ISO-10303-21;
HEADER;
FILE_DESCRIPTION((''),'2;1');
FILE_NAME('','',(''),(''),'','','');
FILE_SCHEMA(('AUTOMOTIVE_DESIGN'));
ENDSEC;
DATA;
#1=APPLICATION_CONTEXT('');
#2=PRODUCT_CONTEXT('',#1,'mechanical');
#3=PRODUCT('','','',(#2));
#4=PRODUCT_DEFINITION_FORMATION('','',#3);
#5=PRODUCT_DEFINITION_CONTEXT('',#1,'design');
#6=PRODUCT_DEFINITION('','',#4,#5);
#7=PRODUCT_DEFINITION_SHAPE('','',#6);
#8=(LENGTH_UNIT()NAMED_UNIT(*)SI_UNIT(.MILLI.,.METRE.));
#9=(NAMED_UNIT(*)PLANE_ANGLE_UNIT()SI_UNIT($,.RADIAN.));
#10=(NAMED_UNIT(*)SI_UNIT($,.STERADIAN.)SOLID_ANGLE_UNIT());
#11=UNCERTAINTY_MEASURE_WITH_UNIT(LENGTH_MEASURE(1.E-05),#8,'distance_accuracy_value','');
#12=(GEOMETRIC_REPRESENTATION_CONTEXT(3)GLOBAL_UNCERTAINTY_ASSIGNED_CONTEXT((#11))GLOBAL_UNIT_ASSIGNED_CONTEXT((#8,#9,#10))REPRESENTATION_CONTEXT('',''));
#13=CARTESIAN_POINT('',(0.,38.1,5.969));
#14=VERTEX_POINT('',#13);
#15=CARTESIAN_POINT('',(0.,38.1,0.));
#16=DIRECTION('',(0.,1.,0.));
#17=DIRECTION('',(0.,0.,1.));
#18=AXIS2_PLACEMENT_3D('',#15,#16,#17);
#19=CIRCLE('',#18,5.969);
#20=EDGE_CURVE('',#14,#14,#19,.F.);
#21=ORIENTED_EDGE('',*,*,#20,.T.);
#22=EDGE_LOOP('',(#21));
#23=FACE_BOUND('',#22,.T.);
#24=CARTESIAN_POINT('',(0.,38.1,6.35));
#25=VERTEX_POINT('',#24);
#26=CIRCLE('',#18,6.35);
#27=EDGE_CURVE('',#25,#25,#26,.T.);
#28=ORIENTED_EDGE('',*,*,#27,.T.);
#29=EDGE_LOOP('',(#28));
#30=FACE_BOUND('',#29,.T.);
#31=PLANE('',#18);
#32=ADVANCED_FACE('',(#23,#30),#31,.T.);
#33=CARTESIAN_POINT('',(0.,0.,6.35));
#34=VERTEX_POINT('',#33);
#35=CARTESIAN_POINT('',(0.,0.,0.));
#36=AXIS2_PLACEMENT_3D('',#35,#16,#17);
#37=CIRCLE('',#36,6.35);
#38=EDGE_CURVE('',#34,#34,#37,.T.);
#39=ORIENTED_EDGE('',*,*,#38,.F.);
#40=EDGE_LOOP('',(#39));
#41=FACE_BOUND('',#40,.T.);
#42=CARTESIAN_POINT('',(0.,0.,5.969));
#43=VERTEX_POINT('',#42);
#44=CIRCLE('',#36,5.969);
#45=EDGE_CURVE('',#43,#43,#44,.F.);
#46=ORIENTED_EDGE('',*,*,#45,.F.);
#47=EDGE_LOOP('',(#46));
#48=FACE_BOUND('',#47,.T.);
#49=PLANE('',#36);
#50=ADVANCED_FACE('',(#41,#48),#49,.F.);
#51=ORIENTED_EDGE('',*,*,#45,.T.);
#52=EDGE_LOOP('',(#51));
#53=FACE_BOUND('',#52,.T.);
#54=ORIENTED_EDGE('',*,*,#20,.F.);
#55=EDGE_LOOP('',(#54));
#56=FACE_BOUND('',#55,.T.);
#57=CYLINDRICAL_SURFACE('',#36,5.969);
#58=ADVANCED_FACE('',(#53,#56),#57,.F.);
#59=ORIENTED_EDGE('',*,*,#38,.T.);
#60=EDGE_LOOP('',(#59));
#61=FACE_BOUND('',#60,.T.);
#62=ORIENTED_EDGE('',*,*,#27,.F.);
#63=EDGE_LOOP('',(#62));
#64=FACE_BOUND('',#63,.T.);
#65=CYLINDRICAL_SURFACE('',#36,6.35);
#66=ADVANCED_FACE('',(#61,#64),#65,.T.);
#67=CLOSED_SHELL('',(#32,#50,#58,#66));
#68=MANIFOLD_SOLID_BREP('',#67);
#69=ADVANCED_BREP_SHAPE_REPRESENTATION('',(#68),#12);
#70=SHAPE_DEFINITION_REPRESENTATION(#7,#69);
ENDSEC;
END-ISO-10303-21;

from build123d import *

# Parameters (mm, degrees)
SKETCH1_R   = 6.35
SKETCH1_R_2 = 5.969


with BuildPart() as part:
    # Sweep1: sweep along a path in Sketch2
    with BuildLine(Plane(origin=(0, 0, 0), x_dir=(0, 0, -1), z_dir=(1, 0, 0))) as sweep1_path:
        Line((0, 0), (0, 38.1))
    # Sketch1 → Sweep1 (sweep)
    with BuildSketch(Plane(origin=(0, 0, 0), x_dir=(1, 0, 0), z_dir=(0, 1, 0))):
        Circle(SKETCH1_R)
        Circle(SKETCH1_R_2, mode=Mode.SUBTRACT)
    sweep(path=sweep1_path.line)


solid = part.part
